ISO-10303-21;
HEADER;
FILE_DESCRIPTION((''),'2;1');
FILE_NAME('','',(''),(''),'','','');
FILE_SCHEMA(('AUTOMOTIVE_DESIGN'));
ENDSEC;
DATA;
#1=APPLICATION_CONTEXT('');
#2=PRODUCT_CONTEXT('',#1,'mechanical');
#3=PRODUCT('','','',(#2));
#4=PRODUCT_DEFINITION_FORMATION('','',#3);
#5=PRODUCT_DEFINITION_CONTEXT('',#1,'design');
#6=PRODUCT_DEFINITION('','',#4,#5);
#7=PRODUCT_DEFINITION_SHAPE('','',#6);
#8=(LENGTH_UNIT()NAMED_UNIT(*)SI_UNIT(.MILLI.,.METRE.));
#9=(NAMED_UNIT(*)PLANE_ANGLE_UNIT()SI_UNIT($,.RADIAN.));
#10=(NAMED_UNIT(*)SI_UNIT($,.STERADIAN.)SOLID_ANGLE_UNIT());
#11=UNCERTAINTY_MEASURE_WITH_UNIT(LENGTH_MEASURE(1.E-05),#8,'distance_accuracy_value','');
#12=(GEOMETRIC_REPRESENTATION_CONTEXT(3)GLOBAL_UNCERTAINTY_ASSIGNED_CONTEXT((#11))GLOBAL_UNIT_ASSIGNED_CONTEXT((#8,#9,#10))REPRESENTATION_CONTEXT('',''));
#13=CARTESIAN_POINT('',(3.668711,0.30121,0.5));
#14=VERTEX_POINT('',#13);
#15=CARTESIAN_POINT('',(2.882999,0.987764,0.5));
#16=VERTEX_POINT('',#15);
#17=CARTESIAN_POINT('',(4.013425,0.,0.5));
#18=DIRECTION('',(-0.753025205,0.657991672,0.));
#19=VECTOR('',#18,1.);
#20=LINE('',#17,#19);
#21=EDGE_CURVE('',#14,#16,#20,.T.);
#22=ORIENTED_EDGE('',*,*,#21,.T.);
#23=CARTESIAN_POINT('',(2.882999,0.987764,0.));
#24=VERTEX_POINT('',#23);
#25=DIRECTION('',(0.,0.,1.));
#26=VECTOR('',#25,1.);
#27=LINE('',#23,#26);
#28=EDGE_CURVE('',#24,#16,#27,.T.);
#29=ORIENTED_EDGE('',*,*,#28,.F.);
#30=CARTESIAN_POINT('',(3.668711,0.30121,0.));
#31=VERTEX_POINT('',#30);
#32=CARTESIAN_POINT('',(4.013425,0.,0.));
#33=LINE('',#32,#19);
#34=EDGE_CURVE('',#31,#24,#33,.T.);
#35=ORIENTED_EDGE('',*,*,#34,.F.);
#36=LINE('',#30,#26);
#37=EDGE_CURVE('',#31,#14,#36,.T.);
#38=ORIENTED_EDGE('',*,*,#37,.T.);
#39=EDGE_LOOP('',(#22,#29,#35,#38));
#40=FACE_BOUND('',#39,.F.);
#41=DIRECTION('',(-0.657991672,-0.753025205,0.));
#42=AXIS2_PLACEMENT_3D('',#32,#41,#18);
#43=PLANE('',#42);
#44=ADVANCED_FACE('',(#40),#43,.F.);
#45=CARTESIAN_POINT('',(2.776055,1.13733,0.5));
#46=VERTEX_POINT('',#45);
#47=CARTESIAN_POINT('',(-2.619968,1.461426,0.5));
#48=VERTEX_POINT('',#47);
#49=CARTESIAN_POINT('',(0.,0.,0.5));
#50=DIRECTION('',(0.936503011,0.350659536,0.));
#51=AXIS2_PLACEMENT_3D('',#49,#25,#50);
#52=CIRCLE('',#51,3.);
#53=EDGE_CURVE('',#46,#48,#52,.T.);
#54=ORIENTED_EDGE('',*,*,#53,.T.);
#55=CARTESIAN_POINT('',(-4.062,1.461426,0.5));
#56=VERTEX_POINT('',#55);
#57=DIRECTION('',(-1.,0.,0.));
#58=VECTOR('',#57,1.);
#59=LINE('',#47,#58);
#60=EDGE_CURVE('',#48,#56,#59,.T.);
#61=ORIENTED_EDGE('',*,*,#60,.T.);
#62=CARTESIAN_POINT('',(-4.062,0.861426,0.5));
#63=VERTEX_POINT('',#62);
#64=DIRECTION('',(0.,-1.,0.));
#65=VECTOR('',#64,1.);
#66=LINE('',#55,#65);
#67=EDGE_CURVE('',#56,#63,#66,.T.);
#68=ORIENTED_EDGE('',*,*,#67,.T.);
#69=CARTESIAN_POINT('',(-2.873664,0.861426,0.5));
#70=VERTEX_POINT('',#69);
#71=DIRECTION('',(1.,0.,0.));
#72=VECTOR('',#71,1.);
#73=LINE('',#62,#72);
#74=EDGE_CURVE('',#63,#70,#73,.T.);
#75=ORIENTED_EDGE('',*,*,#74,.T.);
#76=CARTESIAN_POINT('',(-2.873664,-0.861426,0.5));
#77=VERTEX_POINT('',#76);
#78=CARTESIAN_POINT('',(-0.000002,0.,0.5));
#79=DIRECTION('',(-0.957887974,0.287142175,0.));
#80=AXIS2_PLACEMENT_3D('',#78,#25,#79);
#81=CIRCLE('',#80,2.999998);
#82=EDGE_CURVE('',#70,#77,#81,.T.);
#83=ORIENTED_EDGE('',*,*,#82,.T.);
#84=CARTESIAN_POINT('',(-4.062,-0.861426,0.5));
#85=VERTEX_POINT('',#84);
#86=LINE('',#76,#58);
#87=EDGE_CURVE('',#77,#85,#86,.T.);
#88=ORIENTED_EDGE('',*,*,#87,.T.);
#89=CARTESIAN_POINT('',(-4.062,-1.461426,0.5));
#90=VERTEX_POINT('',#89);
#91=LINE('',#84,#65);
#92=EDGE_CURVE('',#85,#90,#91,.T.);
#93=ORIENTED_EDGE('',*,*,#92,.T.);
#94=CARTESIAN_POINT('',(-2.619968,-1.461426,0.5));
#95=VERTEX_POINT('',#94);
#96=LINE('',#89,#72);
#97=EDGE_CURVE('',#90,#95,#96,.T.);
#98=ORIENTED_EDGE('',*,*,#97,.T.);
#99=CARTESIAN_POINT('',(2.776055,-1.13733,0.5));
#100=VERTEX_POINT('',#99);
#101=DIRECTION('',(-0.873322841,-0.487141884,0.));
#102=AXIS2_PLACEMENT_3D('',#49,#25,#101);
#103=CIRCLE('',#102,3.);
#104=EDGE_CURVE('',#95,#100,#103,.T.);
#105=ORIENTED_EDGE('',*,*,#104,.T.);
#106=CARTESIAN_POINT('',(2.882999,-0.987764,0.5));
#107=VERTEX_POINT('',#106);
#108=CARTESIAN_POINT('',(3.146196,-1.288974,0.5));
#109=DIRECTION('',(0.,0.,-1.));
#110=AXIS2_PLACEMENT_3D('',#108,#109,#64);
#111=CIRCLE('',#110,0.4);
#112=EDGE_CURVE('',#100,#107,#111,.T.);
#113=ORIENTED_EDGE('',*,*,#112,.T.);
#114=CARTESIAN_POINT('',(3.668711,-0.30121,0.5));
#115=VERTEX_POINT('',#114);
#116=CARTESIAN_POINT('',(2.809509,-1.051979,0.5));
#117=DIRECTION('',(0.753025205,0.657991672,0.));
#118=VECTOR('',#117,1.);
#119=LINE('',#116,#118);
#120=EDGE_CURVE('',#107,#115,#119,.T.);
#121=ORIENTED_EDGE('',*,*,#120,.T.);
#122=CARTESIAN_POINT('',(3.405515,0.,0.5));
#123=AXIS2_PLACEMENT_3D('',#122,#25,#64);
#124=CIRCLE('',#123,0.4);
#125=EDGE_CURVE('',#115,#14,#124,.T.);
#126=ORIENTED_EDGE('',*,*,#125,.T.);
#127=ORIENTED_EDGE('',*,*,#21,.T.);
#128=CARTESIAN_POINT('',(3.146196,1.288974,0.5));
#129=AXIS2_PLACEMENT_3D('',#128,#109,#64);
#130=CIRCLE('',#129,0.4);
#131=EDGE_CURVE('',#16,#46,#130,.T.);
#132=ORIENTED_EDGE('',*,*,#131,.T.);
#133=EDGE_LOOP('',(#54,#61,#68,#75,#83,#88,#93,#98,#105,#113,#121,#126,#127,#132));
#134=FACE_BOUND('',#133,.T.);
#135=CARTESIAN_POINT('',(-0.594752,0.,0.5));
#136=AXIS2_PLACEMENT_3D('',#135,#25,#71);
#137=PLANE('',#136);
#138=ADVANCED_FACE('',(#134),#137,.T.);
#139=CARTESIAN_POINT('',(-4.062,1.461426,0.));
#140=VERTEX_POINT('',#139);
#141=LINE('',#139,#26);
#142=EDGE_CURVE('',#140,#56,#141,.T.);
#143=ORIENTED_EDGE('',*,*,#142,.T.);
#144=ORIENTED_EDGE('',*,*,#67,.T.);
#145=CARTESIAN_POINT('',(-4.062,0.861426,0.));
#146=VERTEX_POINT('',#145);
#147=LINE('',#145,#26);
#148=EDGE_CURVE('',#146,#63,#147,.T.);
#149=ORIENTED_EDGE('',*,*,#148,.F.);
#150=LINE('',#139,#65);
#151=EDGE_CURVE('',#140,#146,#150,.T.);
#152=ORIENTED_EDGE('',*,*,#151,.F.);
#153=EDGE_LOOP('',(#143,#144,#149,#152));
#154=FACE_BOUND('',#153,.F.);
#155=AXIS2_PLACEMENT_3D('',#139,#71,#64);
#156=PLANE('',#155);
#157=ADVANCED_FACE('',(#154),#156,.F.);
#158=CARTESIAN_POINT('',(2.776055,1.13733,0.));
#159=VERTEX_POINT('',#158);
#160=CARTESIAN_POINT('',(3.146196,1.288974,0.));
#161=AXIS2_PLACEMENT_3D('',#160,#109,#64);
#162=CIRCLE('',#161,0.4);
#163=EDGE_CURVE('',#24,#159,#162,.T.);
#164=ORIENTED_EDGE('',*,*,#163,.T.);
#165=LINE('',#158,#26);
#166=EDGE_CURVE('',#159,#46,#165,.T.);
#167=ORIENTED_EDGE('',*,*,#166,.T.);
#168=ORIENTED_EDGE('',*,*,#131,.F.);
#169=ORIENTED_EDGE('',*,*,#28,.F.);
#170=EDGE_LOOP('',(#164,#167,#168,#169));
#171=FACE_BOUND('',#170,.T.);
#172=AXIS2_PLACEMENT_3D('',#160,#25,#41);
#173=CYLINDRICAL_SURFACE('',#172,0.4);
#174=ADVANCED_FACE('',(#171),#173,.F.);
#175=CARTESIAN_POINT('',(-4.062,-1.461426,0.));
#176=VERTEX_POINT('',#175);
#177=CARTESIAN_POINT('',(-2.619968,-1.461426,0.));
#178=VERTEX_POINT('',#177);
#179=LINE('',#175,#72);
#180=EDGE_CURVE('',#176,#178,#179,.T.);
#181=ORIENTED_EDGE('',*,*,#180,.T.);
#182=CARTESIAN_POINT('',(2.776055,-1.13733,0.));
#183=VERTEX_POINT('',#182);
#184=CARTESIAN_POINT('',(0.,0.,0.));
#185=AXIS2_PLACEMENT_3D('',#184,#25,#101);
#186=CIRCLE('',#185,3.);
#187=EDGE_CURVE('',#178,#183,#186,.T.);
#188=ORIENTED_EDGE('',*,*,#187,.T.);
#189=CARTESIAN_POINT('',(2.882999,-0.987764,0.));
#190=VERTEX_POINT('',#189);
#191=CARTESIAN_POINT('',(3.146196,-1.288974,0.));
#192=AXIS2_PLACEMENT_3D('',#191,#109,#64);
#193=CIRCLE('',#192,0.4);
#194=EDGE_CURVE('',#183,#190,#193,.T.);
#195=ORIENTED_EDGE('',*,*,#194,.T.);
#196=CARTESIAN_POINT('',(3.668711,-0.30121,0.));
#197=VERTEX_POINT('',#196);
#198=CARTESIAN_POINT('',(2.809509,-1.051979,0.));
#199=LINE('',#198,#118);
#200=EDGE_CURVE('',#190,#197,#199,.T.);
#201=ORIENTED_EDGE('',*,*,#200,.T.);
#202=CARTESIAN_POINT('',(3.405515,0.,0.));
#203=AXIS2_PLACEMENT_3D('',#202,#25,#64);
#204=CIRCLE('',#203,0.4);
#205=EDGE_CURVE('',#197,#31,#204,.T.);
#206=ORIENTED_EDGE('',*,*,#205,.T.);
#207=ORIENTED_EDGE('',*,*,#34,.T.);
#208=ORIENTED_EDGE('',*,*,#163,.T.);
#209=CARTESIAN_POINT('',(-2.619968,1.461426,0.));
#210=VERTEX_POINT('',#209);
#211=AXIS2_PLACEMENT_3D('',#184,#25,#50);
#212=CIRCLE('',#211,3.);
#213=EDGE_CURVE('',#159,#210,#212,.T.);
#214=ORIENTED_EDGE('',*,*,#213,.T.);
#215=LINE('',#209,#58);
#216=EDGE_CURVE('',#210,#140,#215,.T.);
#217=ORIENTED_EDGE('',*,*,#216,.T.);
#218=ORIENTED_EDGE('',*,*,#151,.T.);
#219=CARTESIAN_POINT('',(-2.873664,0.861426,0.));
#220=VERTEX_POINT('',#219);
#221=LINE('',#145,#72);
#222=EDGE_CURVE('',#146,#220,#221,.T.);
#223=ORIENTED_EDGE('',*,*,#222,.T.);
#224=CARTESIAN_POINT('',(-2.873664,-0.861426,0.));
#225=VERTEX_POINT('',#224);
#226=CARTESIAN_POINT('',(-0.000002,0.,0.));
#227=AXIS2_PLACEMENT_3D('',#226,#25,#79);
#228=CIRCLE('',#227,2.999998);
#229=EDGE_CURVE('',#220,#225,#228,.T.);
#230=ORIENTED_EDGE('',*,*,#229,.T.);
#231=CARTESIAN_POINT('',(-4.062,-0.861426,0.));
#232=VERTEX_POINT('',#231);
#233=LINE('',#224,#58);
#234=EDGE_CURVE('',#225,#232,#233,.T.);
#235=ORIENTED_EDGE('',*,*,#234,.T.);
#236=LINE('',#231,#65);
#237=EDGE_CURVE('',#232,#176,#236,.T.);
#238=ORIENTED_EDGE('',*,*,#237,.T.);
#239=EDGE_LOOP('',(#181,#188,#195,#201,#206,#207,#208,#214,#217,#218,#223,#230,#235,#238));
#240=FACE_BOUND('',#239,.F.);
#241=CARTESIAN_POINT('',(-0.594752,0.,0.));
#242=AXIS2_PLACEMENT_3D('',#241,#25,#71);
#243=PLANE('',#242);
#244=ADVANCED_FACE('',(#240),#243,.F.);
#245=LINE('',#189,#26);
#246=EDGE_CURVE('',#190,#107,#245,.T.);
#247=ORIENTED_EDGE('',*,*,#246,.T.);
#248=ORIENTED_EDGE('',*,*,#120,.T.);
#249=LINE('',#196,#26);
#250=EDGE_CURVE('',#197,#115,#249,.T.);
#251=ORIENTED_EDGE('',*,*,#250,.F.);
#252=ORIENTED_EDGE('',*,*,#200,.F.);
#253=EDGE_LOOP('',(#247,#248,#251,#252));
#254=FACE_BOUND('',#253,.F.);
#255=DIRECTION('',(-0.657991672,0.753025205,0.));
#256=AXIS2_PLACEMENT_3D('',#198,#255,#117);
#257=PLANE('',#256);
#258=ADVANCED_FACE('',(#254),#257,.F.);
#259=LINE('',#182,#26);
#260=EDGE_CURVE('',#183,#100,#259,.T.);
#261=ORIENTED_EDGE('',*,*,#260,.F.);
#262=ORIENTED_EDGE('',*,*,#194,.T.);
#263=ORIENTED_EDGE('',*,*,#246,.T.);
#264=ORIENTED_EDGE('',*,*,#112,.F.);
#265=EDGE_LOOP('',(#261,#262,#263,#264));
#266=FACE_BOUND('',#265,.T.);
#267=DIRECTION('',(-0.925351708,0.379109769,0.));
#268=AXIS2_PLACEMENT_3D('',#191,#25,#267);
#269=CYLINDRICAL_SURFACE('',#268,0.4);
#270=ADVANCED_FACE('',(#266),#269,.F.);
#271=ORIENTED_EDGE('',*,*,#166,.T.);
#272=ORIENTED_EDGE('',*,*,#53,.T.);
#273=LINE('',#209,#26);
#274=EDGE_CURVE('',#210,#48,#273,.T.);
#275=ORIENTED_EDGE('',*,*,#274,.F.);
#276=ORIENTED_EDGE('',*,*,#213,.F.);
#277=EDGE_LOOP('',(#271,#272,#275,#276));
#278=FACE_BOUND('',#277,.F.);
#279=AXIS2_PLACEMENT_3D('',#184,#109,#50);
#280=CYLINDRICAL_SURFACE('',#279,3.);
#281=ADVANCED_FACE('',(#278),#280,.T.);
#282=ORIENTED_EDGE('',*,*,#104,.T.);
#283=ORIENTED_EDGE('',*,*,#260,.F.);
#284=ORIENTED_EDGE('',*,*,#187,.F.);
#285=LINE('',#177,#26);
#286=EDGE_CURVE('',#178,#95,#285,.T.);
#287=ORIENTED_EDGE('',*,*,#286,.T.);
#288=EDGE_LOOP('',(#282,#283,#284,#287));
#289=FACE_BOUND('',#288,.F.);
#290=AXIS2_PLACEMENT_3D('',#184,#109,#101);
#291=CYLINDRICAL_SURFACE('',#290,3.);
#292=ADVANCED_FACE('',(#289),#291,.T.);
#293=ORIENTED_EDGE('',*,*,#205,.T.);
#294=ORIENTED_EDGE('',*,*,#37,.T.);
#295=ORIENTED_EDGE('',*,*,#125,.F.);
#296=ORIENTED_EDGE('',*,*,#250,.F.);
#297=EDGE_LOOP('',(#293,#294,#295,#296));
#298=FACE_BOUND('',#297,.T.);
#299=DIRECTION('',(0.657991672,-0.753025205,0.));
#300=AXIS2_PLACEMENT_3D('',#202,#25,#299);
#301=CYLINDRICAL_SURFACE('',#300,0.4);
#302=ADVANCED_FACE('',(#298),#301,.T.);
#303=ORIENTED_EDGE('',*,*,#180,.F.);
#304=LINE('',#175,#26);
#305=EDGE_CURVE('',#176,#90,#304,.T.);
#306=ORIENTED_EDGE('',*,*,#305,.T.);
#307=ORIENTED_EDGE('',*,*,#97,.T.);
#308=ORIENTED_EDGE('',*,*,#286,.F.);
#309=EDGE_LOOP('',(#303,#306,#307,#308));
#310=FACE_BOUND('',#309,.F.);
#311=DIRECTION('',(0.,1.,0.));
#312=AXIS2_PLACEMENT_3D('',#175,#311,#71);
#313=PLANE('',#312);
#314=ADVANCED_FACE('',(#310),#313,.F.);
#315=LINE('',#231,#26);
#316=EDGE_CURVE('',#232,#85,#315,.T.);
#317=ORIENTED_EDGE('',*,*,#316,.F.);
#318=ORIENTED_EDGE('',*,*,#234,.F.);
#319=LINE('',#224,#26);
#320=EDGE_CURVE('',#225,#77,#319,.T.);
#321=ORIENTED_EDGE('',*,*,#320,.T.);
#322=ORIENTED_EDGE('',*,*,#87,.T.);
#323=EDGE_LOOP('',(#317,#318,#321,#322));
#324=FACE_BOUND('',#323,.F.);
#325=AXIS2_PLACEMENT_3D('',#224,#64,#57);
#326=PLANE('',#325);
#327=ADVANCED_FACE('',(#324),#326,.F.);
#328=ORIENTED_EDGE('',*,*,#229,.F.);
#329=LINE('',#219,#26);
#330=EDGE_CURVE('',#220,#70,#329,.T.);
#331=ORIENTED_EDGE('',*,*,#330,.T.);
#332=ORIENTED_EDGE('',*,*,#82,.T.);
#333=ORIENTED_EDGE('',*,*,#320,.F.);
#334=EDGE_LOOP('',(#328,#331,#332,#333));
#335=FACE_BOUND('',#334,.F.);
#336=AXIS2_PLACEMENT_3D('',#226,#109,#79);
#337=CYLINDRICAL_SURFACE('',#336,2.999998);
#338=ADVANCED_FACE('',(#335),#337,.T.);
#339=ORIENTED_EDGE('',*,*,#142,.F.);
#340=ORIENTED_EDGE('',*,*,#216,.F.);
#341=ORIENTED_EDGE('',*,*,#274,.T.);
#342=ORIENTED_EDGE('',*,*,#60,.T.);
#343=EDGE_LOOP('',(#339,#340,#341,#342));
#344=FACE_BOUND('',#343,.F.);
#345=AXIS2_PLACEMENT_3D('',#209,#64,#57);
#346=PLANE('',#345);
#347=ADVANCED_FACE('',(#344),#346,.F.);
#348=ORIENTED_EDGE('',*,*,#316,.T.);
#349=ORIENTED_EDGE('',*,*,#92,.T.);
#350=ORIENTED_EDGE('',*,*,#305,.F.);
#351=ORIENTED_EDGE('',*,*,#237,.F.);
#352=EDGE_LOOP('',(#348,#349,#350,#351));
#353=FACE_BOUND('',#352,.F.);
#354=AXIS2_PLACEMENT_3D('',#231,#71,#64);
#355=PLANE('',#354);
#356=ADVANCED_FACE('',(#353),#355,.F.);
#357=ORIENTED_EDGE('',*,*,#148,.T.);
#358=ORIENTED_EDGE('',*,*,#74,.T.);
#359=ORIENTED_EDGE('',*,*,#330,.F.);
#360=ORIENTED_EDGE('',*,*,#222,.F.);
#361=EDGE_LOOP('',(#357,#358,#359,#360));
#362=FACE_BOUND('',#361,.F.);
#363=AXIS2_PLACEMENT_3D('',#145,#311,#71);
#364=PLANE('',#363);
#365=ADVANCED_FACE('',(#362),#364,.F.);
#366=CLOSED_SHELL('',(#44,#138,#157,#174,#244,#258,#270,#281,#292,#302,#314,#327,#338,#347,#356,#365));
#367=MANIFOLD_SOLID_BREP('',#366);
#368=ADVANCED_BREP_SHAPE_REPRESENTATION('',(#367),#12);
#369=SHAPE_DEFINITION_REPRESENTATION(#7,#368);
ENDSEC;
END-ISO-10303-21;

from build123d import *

# Parameters (mm, degrees)
F1_DEPTH = 0.5
F2_R     = 0.4


with BuildPart() as f1:
    # F0 (on Top) → F1 (new body)
    with BuildSketch(Plane.XY):
        with BuildLine():
            Line((-4.062, 0.861426), (-2.873664, 0.861426))
            ThreePointArc((-2.873664, 0.861426), (-3, 0), (-2.873664, -0.861426))
            Line((-2.873664, -0.861426), (-4.062, -0.861426))
            Line((-4.062, -0.861426), (-4.062, -1.461426))
            Line((-4.062, -1.461426), (-2.619968, -1.461426))
            ThreePointArc((-2.619968, -1.461426), (0.225595, -2.991506), (2.809509, -1.051979))
            Line((2.809509, -1.051979), (4.013425, 0))
            Line((4.013425, 0), (2.809509, 1.051979))
            ThreePointArc((2.809509, 1.051979), (0.225595, 2.991506), (-2.619968, 1.461426))
            Line((-2.619968, 1.461426), (-4.062, 1.461426))
            Line((-4.062, 1.461426), (-4.062, 0.861426))
        make_face()
    extrude(amount=F1_DEPTH)

    # F2
    f2_edges = [f1.edges().sort_by_distance(p)[0] for p in [
        (4.013425, 0, 0.25),
        (2.809509, 1.051979, 0.25),
        (2.809509, -1.051979, 0.25),
    ]]
    fillet(f2_edges, radius=F2_R)


solid = f1.part
